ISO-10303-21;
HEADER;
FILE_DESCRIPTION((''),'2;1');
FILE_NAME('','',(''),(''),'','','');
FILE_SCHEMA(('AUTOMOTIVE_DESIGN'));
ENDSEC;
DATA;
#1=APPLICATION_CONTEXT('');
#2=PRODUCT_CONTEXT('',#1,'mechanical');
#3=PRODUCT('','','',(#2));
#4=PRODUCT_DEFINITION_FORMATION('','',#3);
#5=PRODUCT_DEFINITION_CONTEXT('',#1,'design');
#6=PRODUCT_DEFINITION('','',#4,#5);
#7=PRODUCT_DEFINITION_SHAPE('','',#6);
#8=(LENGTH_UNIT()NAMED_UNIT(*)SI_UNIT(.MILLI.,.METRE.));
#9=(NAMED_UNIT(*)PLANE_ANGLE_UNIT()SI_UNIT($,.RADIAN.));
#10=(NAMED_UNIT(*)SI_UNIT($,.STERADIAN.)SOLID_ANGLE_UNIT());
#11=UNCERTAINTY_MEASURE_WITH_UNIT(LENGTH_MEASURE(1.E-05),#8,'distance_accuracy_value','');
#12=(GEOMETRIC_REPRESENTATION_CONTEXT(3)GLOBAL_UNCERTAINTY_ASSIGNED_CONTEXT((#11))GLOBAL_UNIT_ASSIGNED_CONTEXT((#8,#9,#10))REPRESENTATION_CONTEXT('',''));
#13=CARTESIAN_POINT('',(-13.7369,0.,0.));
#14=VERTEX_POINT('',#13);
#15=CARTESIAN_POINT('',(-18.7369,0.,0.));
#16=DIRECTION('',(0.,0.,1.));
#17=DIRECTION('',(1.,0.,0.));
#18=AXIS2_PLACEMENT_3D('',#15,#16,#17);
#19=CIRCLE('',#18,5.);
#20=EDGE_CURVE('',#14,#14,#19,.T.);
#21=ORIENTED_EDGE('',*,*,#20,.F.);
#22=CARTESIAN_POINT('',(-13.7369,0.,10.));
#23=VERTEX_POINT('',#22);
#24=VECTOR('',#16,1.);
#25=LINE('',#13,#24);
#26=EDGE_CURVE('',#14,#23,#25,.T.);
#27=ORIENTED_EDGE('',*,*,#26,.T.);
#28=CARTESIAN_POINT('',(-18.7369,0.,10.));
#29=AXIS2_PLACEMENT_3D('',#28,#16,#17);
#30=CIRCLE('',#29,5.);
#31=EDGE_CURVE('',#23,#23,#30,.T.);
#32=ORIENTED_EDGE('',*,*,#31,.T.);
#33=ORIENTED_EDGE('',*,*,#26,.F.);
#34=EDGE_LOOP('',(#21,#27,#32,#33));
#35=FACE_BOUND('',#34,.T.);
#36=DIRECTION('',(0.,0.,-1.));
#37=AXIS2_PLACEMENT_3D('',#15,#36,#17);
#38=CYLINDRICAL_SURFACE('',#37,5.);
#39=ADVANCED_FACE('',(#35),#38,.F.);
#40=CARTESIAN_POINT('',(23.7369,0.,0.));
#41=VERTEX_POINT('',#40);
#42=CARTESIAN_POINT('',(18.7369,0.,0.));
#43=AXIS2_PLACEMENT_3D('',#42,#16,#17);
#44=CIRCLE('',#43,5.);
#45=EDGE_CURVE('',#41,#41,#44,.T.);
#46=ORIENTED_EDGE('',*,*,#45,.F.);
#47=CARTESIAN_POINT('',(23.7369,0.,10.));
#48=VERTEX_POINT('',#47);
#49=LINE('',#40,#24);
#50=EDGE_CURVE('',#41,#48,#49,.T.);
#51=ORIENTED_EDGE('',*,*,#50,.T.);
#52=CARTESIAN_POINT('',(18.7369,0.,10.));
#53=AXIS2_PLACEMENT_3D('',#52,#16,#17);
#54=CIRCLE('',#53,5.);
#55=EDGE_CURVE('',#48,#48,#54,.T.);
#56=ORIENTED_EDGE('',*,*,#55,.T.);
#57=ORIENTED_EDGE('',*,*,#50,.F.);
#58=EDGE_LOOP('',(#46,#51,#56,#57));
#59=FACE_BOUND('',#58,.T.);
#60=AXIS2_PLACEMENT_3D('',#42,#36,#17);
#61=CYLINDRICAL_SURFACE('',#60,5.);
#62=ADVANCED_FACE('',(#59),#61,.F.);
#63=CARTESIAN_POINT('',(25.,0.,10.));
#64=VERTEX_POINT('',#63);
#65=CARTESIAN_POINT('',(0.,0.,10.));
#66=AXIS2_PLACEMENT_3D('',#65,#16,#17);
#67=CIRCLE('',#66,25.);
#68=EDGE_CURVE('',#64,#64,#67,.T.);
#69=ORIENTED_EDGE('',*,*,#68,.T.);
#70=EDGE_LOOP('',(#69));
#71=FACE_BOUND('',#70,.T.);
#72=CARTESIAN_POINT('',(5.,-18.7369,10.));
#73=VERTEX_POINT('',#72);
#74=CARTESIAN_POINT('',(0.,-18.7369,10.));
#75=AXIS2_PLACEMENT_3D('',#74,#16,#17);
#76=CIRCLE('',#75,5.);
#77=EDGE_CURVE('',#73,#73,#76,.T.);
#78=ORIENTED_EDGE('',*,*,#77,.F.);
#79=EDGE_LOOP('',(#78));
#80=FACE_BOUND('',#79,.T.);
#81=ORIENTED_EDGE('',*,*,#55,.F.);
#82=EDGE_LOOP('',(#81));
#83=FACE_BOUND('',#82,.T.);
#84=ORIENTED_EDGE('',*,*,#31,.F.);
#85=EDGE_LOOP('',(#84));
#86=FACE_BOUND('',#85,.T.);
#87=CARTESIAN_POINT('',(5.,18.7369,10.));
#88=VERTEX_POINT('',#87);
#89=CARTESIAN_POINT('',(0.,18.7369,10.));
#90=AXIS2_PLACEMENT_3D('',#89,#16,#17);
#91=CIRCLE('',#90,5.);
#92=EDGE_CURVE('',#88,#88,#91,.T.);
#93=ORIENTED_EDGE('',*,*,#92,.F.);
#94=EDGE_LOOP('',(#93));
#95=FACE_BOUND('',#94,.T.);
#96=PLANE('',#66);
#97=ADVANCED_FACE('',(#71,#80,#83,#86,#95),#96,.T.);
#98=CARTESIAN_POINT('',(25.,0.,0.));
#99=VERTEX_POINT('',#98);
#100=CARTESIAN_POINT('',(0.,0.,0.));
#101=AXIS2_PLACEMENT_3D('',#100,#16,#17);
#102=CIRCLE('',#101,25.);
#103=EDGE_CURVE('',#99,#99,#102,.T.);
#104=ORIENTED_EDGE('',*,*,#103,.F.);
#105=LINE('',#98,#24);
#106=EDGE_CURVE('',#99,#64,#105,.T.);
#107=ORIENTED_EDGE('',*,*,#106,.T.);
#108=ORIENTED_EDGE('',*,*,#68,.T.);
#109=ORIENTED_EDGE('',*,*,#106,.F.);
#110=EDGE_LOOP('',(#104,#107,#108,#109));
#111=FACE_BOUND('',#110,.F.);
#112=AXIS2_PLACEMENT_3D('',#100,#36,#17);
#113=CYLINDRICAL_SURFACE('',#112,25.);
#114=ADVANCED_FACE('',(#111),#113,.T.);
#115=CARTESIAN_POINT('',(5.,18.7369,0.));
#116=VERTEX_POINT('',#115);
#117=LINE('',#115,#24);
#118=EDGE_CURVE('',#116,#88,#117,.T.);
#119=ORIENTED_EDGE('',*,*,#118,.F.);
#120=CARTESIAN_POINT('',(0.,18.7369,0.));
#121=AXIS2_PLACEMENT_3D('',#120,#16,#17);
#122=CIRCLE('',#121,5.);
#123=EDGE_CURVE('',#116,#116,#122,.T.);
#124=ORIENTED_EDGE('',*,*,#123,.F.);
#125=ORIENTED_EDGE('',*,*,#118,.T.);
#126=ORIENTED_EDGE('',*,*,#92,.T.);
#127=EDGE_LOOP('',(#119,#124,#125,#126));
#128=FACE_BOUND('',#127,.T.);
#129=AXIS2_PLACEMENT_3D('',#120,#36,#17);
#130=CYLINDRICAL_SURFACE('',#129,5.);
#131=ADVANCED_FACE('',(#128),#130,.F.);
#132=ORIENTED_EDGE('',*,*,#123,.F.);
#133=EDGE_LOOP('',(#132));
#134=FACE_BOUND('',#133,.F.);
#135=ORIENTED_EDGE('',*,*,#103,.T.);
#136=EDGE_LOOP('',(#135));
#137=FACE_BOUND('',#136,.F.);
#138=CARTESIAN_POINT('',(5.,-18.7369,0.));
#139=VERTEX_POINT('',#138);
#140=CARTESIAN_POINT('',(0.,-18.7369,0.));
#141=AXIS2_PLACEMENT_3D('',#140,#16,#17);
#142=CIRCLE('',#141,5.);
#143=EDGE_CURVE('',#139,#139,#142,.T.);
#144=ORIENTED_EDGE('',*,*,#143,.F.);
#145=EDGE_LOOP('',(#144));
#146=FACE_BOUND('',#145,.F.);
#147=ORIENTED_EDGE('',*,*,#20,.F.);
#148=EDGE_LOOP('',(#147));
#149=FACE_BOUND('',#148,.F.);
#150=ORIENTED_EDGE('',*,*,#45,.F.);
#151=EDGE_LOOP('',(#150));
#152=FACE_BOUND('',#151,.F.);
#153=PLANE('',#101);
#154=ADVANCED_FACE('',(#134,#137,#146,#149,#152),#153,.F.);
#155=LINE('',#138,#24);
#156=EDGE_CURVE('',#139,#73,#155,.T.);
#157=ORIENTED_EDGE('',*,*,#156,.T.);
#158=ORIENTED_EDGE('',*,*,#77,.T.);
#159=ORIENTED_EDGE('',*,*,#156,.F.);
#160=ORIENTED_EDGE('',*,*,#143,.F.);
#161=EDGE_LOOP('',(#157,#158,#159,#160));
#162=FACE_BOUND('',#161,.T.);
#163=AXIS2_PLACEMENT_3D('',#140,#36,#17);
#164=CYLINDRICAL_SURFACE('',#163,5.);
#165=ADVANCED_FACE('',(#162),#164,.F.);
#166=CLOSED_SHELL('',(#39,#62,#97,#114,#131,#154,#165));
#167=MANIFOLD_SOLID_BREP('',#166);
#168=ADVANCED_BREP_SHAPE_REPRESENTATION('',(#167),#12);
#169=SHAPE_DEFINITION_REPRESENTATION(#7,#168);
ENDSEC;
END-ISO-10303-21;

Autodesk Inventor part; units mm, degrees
ref_plane "YZ Plane" through (0, 0, 0) normal (1, 0, 0) x (0, 1, 0)
ref_plane "XZ Plane" through (0, 0, 0) normal (0, 1, 0) x (-1, 0, 0)
ref_plane "XY Plane" through (0, 0, 0) normal (0, 0, 1) x (1, 0, 0)
sketch "Sketch1" plane through (0, 0, 0) normal (0, 0, 1) x (1, 0, 0)
  circle A0 centre (0, 0) radius 25
  circle A1 centre (0, 18.7369) radius 5
  circle A2 centre (-18.7369, 0) radius 5
  circle A3 centre (0, -18.7369) radius 5
  circle A4 centre (18.7369, 0) radius 5
  dimension "d0" = 50
  dimension "d1" = 10
  dimension "d4" = 360
extrude "Extrusion1" add sketch "Sketch1" along normal blind 10
